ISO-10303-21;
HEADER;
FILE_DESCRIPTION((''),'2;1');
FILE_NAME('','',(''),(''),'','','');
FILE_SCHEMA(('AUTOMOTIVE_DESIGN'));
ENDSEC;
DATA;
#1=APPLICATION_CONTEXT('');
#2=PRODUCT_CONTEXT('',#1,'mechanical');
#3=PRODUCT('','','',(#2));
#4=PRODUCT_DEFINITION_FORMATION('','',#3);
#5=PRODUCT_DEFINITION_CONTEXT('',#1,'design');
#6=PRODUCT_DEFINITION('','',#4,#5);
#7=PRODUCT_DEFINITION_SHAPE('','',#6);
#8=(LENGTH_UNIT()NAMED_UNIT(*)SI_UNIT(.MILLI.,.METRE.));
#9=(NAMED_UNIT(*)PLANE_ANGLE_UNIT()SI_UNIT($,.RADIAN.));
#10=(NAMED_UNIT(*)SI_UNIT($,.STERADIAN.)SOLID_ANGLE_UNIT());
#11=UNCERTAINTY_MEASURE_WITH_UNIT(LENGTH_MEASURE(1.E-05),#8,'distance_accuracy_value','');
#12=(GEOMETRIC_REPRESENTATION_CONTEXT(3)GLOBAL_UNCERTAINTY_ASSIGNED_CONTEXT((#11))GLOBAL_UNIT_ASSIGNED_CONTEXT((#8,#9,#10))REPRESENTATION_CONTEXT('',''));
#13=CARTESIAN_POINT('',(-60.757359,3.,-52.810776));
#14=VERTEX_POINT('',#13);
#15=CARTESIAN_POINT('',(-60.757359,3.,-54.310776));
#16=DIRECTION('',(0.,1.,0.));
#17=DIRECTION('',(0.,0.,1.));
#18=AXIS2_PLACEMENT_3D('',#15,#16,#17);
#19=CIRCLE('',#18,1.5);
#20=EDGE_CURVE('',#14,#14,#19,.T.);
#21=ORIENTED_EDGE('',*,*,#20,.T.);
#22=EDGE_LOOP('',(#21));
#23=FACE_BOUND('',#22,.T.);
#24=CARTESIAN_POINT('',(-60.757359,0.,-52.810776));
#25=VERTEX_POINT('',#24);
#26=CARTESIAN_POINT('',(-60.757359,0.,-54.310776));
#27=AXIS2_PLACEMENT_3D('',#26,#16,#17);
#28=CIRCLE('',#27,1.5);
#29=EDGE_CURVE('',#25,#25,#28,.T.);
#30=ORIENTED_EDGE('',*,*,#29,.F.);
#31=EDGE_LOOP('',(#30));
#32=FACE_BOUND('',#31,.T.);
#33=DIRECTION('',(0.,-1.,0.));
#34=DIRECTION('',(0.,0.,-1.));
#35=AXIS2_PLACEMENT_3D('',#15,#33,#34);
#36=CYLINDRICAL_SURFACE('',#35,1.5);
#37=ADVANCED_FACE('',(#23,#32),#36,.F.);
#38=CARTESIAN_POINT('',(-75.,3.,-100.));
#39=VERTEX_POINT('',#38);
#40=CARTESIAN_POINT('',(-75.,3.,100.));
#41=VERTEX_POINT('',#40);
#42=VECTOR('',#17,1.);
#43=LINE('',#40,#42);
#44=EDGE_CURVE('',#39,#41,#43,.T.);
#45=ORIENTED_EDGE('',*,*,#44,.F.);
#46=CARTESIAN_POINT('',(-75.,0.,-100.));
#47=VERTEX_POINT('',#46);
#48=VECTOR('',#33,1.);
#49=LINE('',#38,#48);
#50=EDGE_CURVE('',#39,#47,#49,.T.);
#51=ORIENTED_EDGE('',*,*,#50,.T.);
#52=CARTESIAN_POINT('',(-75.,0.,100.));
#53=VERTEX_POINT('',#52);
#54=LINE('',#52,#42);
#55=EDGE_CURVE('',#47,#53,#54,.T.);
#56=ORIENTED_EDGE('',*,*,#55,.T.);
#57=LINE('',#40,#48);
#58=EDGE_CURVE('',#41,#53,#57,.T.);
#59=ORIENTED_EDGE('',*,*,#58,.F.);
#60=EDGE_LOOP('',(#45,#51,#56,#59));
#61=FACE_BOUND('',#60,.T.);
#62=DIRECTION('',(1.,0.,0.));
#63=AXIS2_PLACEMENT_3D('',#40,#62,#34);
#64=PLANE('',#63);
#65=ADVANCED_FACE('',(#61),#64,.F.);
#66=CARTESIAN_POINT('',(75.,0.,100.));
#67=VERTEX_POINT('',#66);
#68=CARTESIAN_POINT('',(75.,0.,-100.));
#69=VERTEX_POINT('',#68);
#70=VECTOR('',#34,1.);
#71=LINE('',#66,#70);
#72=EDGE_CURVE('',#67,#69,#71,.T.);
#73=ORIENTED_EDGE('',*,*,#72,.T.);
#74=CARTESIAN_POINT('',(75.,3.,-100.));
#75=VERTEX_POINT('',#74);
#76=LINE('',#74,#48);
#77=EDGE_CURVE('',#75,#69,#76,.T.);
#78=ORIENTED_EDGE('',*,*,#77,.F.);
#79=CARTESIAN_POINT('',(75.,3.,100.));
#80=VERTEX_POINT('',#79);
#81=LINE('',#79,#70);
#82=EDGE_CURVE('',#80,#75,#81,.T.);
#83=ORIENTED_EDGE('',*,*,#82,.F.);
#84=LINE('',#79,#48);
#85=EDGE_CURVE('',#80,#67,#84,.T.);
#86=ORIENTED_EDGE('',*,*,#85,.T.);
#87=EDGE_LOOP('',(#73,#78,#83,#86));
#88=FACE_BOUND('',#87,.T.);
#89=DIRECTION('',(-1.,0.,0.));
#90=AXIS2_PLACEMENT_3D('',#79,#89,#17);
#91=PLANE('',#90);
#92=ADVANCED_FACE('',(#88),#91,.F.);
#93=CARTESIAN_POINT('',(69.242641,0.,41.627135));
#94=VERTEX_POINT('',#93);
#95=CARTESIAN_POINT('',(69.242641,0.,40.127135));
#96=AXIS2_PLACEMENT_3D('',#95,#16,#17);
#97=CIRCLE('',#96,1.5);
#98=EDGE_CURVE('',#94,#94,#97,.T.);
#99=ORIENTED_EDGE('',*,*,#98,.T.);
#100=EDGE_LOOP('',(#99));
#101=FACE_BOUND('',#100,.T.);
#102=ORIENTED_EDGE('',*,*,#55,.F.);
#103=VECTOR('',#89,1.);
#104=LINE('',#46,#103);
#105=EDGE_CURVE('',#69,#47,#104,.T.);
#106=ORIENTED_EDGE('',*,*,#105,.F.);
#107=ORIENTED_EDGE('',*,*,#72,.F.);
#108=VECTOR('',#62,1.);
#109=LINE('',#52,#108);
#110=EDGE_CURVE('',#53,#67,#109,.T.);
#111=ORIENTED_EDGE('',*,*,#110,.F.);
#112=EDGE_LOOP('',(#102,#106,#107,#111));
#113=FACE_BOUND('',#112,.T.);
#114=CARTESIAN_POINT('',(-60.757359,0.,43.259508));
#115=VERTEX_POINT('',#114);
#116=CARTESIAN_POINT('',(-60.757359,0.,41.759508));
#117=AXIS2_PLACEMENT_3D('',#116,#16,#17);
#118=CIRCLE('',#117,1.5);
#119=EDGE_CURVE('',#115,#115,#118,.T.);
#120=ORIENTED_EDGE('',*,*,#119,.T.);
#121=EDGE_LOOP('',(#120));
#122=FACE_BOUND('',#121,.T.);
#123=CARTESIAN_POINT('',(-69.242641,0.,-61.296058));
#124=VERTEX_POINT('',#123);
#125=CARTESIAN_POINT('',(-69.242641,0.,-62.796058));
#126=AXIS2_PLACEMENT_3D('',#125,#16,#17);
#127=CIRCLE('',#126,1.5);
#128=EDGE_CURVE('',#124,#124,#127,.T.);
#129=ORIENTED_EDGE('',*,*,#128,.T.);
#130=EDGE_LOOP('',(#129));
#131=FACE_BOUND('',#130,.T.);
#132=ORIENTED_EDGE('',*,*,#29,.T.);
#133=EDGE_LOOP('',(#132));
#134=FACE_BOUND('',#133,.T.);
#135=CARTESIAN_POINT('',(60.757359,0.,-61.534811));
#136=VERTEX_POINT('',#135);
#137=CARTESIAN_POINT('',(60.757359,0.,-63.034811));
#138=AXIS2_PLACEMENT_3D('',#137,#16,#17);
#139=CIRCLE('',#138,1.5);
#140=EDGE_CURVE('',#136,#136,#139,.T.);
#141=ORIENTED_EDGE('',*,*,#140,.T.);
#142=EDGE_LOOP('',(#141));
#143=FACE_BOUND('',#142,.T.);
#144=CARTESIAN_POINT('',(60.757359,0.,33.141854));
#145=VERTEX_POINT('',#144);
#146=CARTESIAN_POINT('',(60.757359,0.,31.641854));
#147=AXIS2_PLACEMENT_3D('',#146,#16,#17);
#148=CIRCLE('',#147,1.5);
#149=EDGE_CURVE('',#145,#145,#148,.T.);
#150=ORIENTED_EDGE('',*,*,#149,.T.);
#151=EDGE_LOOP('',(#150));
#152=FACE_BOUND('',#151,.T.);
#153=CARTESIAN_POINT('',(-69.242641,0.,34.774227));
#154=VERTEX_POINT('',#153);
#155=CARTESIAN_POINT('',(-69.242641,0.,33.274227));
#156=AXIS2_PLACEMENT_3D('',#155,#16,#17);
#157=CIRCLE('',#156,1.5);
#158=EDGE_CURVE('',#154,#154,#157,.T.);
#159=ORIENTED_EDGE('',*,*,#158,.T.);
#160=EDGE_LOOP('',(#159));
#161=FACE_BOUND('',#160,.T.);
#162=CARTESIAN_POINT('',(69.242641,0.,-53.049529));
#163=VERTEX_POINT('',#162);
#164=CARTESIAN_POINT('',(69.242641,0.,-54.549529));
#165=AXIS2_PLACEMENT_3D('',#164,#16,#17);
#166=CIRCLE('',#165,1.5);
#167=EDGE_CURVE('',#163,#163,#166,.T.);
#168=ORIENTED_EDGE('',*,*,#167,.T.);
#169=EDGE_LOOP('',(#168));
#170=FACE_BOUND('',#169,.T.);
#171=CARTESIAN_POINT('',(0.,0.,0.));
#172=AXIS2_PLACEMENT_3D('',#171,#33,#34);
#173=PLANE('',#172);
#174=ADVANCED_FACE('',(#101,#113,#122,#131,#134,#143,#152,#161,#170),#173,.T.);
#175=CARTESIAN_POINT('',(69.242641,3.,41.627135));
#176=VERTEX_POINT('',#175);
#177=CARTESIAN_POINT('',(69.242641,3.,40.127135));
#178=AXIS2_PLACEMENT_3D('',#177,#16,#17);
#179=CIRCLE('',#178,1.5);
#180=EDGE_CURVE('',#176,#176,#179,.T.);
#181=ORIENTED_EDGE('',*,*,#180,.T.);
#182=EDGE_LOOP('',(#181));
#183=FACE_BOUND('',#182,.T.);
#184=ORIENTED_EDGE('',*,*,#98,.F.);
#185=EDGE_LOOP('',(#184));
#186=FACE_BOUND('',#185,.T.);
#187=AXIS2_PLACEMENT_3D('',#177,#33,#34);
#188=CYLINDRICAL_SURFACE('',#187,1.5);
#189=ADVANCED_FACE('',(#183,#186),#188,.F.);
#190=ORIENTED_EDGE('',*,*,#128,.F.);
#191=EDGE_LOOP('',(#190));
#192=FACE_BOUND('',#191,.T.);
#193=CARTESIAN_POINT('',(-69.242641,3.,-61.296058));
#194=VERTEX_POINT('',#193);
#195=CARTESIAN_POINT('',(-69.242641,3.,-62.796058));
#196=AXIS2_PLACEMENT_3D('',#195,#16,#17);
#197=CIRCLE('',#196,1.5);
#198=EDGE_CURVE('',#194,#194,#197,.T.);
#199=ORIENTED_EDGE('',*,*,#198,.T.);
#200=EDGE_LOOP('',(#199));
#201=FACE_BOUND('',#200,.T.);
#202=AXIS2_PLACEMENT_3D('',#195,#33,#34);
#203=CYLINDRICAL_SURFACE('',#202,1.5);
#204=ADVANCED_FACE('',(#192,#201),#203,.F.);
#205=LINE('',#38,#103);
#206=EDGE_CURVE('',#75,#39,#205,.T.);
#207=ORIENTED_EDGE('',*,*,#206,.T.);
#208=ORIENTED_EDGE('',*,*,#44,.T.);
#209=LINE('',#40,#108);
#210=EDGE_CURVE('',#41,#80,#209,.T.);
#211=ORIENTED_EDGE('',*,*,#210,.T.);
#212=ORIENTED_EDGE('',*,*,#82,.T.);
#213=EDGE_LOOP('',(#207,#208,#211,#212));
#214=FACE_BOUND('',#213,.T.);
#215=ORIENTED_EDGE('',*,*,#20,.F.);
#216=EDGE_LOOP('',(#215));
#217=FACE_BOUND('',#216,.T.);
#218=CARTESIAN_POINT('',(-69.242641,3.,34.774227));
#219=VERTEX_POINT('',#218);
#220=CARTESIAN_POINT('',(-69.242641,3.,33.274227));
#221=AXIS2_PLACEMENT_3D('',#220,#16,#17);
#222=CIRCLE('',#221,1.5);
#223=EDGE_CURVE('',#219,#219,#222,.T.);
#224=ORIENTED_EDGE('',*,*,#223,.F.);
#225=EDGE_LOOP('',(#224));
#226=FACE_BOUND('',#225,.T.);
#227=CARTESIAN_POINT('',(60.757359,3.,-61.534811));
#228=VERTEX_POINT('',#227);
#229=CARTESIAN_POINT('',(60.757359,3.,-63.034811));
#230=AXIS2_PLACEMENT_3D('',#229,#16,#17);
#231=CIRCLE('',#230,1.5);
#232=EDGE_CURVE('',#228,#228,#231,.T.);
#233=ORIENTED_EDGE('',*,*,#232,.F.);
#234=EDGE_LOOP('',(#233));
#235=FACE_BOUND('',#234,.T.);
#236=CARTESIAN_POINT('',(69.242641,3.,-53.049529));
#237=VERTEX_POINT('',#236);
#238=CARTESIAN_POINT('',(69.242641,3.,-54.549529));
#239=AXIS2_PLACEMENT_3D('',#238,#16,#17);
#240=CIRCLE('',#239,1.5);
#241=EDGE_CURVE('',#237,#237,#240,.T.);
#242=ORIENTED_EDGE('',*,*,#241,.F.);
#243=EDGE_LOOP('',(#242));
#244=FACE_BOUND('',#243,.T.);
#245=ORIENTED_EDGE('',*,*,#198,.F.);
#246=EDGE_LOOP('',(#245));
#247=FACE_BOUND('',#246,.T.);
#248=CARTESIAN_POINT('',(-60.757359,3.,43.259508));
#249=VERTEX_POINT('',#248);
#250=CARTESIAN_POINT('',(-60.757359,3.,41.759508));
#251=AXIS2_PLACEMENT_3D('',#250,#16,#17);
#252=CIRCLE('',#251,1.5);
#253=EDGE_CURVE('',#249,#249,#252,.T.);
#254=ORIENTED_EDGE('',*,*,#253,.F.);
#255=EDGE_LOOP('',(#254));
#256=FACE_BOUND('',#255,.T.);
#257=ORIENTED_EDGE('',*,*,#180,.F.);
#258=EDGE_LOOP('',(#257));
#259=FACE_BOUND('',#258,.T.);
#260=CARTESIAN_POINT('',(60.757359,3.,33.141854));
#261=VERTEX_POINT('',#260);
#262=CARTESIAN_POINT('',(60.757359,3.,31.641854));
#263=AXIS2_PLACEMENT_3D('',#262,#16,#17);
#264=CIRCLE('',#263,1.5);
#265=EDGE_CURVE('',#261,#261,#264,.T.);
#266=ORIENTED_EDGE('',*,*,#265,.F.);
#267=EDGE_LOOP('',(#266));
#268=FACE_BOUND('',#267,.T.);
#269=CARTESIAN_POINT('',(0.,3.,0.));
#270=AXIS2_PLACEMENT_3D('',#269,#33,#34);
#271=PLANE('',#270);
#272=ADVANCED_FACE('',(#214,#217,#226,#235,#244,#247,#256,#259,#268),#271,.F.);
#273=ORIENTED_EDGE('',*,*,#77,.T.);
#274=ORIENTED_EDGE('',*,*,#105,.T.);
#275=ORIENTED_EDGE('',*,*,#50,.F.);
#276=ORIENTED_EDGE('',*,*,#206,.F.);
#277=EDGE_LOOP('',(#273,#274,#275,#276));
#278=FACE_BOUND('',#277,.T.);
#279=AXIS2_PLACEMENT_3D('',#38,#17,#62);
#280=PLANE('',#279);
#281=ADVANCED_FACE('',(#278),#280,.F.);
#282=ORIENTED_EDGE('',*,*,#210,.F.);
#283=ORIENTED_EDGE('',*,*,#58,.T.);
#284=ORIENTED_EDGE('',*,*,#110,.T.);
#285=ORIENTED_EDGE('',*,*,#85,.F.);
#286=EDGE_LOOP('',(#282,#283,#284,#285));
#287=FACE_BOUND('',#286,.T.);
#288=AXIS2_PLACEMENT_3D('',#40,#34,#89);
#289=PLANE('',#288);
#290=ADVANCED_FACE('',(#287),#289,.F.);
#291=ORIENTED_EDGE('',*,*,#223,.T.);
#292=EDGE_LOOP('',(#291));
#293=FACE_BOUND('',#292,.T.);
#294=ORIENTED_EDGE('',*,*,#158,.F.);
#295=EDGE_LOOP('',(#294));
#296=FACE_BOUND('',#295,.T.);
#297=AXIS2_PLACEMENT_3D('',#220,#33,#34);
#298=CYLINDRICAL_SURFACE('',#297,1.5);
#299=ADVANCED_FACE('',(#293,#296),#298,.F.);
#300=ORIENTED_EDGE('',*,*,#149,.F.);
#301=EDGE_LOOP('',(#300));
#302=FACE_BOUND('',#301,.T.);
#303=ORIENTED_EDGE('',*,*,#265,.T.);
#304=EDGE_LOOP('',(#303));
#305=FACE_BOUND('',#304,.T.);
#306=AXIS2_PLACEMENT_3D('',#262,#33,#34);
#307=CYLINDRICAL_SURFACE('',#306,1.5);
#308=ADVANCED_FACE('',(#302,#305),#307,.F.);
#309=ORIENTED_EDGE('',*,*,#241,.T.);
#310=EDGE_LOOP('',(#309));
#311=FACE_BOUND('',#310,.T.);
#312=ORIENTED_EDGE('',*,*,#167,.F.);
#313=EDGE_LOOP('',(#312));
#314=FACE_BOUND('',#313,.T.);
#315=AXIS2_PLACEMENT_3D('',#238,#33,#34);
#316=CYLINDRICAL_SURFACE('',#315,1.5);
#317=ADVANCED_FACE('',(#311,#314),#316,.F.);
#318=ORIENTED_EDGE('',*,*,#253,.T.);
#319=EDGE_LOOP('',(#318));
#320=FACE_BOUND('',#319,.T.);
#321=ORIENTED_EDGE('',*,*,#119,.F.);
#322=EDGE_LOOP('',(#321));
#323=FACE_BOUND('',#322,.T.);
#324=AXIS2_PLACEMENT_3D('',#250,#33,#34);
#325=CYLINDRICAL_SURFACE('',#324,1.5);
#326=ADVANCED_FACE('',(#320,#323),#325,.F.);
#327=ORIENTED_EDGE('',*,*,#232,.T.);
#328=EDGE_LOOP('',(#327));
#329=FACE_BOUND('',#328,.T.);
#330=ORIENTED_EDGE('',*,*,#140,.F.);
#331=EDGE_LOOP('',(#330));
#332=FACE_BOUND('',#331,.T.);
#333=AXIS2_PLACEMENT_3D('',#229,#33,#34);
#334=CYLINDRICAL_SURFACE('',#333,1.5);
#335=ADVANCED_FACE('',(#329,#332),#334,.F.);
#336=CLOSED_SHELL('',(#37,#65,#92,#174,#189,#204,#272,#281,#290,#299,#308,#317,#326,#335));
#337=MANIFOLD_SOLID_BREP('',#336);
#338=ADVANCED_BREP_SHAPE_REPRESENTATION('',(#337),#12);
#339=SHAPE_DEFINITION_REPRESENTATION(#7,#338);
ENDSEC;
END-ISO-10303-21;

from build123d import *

# Parameters (mm, degrees)
SKETCH1_W           = 150
SKETCH1_H           = 200
SKETCH1_R           = 1.5
BOSS_EXTRUDE1_DEPTH = 3


with BuildPart() as part:
    # Sketch1 → Boss-Extrude1 (new body)
    with BuildSketch(Plane(origin=(0, 0, 0), x_dir=(1, 0, 0), z_dir=(0, 1, 0))):
        Rectangle(SKETCH1_W, SKETCH1_H)
        with Locations(Location((-69.242640687, 62.79605759, 0), (0, 0, 270))):
            Circle(SKETCH1_R, mode=Mode.SUBTRACT)
        with Locations(Location((-60.757359313, 54.310776216, 0), (0, 0, 270))):
            Circle(SKETCH1_R, mode=Mode.SUBTRACT)
        with Locations(Location((60.757359313, 63.034810844, 0), (0, 0, 270))):
            Circle(SKETCH1_R, mode=Mode.SUBTRACT)
        with Locations(Location((69.242640687, 54.54952947, 0), (0, 0, 270))):
            Circle(SKETCH1_R, mode=Mode.SUBTRACT)
        with Locations(Location((-69.242640687, -33.274226936, 0), (0, 0, 270))):
            Circle(SKETCH1_R, mode=Mode.SUBTRACT)
        with Locations(Location((-60.757359313, -41.75950831, 0), (0, 0, 270))):
            Circle(SKETCH1_R, mode=Mode.SUBTRACT)
        with Locations(Location((60.757359313, -31.641853854, 0), (0, 0, 270))):
            Circle(SKETCH1_R, mode=Mode.SUBTRACT)
        with Locations(Location((69.242640687, -40.127135228, 0), (0, 0, 270))):
            Circle(SKETCH1_R, mode=Mode.SUBTRACT)
    extrude(amount=BOSS_EXTRUDE1_DEPTH)


solid = part.part
